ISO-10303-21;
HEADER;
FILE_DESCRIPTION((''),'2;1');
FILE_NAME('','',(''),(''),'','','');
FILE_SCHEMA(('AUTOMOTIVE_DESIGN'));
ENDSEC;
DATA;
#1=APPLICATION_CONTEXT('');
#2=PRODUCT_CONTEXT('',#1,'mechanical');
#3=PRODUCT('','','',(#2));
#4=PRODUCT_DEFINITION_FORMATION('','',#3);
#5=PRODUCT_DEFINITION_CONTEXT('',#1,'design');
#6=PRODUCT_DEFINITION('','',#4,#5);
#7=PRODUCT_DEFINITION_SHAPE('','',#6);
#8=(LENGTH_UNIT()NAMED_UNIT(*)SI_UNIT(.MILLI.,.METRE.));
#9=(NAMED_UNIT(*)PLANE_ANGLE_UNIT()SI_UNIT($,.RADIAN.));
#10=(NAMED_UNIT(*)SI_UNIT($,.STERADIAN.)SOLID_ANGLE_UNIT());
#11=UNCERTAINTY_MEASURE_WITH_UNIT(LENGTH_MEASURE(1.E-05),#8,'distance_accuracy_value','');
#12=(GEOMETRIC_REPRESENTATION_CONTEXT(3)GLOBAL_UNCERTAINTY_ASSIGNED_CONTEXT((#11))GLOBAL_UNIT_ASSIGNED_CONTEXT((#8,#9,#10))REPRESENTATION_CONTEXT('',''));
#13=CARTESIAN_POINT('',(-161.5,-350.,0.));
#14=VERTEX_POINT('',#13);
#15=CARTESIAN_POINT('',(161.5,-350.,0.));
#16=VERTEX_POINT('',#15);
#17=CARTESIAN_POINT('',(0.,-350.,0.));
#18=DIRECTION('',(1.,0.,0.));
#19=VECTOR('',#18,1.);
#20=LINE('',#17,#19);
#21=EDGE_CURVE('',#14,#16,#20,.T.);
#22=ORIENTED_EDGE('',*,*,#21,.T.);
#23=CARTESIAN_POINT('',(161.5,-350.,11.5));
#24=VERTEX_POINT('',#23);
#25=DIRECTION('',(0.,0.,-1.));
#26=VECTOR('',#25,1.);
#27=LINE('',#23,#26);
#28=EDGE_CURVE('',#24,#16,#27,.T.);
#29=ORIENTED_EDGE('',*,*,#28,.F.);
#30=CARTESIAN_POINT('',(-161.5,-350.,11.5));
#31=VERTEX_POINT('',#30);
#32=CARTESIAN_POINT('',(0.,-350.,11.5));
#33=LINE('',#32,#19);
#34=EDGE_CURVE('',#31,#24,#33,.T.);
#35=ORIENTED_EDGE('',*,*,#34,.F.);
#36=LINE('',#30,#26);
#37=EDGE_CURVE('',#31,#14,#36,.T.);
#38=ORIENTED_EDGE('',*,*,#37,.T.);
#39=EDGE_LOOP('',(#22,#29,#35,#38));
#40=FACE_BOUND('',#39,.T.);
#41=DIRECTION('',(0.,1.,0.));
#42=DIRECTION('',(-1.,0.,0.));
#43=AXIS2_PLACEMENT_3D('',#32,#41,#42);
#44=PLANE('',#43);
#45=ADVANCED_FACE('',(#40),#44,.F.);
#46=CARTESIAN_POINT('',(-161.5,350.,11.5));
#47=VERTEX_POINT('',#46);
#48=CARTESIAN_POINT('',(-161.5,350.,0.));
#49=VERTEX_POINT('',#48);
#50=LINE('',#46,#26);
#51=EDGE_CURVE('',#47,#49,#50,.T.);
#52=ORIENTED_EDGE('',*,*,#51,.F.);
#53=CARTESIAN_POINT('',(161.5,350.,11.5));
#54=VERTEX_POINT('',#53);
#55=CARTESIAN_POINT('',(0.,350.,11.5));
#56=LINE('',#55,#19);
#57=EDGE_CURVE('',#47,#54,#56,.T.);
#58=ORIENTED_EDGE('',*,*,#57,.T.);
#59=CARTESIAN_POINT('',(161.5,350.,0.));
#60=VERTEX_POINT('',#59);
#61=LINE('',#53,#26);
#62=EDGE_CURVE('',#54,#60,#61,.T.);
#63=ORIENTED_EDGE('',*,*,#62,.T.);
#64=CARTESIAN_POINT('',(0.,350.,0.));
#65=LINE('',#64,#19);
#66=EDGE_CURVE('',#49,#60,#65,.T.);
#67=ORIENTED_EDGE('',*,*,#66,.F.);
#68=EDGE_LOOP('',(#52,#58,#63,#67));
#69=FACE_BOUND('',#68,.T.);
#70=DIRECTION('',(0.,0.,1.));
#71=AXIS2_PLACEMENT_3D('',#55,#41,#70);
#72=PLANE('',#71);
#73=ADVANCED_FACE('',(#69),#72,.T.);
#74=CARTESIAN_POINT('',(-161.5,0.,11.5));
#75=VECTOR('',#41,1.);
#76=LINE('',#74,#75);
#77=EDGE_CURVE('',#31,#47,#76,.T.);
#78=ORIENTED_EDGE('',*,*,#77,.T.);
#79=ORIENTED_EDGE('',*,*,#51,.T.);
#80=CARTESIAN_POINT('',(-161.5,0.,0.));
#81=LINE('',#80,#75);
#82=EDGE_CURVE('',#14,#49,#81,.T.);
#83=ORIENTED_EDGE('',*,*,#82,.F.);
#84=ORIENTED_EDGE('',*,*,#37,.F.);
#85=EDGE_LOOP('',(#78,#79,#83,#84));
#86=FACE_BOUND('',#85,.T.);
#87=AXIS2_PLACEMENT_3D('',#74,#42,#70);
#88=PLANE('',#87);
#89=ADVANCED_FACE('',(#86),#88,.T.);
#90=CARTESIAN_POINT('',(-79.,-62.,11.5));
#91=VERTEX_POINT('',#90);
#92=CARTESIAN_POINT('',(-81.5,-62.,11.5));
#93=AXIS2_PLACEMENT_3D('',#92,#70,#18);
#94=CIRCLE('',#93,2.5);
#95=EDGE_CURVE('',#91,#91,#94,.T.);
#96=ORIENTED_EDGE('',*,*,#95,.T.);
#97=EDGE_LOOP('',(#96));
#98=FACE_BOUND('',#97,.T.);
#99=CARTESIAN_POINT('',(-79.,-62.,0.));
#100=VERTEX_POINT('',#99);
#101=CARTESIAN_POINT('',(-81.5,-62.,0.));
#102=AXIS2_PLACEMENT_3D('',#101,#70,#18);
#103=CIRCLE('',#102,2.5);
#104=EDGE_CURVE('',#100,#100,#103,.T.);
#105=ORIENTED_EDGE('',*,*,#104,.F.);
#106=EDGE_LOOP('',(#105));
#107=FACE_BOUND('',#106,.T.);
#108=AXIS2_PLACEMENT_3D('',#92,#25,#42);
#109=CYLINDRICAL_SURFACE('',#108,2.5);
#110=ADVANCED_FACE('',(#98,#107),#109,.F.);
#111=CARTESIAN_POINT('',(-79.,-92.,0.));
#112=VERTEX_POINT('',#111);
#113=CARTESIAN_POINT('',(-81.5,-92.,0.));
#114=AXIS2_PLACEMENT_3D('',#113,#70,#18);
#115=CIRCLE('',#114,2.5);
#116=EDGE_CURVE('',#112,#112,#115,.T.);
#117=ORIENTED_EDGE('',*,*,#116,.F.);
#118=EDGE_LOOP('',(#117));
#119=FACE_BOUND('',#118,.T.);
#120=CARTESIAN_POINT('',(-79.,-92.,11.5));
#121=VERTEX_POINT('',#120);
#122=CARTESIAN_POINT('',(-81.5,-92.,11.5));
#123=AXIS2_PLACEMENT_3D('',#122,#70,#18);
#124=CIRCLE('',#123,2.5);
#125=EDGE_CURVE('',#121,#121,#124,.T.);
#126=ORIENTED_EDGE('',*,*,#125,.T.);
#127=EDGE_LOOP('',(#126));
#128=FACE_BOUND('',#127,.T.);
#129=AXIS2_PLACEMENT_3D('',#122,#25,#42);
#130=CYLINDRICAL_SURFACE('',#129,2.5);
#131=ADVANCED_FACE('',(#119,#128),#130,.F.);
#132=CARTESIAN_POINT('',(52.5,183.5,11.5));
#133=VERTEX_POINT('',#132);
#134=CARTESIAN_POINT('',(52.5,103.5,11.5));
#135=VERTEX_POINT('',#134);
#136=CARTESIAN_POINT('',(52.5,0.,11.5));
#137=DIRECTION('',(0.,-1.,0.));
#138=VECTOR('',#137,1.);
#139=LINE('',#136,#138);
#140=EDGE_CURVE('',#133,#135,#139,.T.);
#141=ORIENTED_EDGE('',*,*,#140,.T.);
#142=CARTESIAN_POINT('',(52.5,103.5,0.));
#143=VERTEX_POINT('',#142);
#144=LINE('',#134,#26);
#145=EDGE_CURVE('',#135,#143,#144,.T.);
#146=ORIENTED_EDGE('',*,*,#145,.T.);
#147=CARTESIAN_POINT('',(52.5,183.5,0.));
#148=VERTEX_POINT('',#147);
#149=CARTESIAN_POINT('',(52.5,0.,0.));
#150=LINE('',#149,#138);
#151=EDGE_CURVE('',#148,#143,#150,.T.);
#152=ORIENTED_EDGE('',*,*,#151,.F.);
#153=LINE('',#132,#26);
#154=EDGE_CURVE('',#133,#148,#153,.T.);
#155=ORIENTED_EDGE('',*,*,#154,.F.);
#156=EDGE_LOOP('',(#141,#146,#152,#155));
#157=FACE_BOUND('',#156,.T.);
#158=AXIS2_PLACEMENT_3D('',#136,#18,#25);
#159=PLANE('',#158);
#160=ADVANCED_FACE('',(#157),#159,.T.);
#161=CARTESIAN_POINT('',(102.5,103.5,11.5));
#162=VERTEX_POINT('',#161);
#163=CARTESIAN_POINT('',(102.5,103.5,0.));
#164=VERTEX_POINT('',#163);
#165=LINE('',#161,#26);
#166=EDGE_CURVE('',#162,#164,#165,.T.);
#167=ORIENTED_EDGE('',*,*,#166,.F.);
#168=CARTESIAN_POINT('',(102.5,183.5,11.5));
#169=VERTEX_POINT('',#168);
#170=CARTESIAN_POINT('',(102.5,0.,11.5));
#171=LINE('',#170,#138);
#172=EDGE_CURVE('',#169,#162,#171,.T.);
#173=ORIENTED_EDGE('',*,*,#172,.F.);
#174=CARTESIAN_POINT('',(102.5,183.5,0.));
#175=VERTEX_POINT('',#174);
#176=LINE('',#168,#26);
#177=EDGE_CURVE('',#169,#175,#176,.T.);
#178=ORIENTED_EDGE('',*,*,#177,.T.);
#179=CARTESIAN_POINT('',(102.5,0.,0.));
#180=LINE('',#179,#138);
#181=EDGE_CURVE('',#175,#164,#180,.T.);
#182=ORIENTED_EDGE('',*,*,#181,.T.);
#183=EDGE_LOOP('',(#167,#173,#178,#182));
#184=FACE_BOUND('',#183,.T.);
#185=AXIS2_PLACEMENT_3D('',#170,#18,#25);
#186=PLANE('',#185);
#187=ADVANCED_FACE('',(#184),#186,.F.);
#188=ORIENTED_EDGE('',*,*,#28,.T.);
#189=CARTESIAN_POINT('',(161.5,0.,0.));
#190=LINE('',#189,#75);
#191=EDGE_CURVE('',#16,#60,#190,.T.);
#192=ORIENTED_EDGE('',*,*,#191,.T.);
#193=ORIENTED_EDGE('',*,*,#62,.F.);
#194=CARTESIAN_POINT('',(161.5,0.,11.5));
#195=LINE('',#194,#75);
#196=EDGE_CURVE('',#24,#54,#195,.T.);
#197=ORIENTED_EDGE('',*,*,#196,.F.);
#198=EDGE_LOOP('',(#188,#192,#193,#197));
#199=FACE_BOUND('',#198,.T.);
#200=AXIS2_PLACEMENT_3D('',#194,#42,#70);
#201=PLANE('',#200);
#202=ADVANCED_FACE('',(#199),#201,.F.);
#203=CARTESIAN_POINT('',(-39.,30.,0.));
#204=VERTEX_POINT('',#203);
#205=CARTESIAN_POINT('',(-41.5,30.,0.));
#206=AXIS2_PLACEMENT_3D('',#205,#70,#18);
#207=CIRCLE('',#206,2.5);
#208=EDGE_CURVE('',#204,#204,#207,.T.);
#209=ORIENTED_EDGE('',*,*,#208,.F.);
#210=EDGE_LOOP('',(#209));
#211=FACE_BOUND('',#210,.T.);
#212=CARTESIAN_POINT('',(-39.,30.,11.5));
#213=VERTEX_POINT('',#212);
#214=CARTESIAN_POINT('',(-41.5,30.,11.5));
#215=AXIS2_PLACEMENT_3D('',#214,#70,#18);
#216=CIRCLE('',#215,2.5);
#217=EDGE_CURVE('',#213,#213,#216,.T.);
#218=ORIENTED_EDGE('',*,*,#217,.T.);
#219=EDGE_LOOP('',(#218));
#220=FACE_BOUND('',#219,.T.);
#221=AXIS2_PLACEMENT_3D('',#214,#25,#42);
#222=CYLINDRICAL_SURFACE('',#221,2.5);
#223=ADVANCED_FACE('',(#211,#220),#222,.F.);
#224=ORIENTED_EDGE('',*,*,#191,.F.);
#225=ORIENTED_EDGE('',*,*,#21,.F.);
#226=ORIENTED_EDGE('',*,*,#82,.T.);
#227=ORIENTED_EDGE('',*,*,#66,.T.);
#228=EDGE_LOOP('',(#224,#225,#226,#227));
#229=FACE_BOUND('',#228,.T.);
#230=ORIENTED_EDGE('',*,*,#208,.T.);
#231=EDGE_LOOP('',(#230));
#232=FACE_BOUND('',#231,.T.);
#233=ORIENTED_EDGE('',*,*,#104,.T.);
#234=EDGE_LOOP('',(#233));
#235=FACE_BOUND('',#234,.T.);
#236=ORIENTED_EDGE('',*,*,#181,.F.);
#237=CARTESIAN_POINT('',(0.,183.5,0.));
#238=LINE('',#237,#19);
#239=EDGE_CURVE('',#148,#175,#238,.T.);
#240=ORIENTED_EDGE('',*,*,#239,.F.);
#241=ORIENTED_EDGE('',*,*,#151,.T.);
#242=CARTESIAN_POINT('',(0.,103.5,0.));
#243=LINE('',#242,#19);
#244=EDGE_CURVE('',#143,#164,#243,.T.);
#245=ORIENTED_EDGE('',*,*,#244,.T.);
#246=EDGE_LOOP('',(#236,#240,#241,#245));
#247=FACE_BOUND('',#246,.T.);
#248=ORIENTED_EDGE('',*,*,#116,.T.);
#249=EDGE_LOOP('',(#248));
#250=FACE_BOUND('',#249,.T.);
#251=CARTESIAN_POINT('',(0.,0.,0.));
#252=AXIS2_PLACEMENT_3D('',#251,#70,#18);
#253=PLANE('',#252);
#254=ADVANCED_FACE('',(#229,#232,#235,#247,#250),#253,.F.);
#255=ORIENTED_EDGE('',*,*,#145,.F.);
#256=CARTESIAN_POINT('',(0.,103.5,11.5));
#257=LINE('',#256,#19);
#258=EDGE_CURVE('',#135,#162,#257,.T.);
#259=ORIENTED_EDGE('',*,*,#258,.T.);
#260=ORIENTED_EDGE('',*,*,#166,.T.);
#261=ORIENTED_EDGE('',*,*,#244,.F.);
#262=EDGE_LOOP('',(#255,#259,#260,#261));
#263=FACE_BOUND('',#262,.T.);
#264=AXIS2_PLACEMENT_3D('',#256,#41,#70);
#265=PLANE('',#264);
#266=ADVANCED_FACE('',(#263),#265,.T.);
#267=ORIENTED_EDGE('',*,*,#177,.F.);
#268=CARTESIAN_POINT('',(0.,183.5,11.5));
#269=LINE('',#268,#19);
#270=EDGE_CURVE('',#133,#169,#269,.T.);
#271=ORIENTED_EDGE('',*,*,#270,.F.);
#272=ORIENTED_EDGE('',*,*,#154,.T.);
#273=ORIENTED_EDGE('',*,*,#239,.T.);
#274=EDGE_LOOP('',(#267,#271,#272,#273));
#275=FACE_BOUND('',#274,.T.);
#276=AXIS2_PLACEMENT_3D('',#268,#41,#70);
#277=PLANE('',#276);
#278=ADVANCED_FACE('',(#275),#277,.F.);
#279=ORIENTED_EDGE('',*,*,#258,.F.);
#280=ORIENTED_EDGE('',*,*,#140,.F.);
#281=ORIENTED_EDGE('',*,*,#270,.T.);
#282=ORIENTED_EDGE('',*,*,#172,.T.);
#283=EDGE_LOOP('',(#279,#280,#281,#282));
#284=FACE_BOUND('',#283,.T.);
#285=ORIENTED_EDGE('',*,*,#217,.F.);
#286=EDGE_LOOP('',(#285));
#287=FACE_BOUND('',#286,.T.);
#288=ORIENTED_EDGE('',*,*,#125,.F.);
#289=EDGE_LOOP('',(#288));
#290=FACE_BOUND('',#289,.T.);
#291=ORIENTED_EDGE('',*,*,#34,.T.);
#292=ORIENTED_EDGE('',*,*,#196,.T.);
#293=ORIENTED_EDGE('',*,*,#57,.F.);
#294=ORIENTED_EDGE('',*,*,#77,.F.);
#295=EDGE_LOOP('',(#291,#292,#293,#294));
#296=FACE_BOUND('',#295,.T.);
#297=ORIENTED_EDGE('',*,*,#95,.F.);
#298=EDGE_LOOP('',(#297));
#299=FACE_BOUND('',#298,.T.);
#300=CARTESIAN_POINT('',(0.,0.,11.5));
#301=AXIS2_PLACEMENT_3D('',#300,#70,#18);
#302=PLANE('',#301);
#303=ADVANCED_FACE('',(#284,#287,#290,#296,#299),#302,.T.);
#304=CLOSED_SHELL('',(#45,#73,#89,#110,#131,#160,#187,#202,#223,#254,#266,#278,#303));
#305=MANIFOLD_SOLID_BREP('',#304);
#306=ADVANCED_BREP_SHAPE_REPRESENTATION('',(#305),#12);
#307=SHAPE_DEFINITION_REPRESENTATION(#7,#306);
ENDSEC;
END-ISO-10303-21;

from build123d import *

# Parameters (mm, degrees)
SKETCH1_W           = 50
SKETCH1_H           = 80
SKETCH1_R           = 2.5
BOSS_EXTRUDE1_DEPTH = 11.5


with BuildPart() as part:
    # Sketch1 → Boss-Extrude1 (new body)
    with BuildSketch(Plane.XY):
        Polygon((-161.5, 350), (-161.5, -350), (-81.5, -350), (161.5, -350), (161.5, 350), align=None)
        with Locations((77.5, 143.5)):
            Rectangle(SKETCH1_W, SKETCH1_H, mode=Mode.SUBTRACT)
        with BuildLine():
            ThreePointArc((-81.5, -89.5), (-79, -92), (-81.5, -94.5))
            ThreePointArc((-81.5, -94.5), (-84, -92), (-81.5, -89.5))
        make_face(mode=Mode.SUBTRACT)
        with Locations((-81.5, -62)):
            Circle(SKETCH1_R, mode=Mode.SUBTRACT)
        with Locations((-41.5, 30)):
            Circle(SKETCH1_R, mode=Mode.SUBTRACT)
    extrude(amount=BOSS_EXTRUDE1_DEPTH)


solid = part.part
